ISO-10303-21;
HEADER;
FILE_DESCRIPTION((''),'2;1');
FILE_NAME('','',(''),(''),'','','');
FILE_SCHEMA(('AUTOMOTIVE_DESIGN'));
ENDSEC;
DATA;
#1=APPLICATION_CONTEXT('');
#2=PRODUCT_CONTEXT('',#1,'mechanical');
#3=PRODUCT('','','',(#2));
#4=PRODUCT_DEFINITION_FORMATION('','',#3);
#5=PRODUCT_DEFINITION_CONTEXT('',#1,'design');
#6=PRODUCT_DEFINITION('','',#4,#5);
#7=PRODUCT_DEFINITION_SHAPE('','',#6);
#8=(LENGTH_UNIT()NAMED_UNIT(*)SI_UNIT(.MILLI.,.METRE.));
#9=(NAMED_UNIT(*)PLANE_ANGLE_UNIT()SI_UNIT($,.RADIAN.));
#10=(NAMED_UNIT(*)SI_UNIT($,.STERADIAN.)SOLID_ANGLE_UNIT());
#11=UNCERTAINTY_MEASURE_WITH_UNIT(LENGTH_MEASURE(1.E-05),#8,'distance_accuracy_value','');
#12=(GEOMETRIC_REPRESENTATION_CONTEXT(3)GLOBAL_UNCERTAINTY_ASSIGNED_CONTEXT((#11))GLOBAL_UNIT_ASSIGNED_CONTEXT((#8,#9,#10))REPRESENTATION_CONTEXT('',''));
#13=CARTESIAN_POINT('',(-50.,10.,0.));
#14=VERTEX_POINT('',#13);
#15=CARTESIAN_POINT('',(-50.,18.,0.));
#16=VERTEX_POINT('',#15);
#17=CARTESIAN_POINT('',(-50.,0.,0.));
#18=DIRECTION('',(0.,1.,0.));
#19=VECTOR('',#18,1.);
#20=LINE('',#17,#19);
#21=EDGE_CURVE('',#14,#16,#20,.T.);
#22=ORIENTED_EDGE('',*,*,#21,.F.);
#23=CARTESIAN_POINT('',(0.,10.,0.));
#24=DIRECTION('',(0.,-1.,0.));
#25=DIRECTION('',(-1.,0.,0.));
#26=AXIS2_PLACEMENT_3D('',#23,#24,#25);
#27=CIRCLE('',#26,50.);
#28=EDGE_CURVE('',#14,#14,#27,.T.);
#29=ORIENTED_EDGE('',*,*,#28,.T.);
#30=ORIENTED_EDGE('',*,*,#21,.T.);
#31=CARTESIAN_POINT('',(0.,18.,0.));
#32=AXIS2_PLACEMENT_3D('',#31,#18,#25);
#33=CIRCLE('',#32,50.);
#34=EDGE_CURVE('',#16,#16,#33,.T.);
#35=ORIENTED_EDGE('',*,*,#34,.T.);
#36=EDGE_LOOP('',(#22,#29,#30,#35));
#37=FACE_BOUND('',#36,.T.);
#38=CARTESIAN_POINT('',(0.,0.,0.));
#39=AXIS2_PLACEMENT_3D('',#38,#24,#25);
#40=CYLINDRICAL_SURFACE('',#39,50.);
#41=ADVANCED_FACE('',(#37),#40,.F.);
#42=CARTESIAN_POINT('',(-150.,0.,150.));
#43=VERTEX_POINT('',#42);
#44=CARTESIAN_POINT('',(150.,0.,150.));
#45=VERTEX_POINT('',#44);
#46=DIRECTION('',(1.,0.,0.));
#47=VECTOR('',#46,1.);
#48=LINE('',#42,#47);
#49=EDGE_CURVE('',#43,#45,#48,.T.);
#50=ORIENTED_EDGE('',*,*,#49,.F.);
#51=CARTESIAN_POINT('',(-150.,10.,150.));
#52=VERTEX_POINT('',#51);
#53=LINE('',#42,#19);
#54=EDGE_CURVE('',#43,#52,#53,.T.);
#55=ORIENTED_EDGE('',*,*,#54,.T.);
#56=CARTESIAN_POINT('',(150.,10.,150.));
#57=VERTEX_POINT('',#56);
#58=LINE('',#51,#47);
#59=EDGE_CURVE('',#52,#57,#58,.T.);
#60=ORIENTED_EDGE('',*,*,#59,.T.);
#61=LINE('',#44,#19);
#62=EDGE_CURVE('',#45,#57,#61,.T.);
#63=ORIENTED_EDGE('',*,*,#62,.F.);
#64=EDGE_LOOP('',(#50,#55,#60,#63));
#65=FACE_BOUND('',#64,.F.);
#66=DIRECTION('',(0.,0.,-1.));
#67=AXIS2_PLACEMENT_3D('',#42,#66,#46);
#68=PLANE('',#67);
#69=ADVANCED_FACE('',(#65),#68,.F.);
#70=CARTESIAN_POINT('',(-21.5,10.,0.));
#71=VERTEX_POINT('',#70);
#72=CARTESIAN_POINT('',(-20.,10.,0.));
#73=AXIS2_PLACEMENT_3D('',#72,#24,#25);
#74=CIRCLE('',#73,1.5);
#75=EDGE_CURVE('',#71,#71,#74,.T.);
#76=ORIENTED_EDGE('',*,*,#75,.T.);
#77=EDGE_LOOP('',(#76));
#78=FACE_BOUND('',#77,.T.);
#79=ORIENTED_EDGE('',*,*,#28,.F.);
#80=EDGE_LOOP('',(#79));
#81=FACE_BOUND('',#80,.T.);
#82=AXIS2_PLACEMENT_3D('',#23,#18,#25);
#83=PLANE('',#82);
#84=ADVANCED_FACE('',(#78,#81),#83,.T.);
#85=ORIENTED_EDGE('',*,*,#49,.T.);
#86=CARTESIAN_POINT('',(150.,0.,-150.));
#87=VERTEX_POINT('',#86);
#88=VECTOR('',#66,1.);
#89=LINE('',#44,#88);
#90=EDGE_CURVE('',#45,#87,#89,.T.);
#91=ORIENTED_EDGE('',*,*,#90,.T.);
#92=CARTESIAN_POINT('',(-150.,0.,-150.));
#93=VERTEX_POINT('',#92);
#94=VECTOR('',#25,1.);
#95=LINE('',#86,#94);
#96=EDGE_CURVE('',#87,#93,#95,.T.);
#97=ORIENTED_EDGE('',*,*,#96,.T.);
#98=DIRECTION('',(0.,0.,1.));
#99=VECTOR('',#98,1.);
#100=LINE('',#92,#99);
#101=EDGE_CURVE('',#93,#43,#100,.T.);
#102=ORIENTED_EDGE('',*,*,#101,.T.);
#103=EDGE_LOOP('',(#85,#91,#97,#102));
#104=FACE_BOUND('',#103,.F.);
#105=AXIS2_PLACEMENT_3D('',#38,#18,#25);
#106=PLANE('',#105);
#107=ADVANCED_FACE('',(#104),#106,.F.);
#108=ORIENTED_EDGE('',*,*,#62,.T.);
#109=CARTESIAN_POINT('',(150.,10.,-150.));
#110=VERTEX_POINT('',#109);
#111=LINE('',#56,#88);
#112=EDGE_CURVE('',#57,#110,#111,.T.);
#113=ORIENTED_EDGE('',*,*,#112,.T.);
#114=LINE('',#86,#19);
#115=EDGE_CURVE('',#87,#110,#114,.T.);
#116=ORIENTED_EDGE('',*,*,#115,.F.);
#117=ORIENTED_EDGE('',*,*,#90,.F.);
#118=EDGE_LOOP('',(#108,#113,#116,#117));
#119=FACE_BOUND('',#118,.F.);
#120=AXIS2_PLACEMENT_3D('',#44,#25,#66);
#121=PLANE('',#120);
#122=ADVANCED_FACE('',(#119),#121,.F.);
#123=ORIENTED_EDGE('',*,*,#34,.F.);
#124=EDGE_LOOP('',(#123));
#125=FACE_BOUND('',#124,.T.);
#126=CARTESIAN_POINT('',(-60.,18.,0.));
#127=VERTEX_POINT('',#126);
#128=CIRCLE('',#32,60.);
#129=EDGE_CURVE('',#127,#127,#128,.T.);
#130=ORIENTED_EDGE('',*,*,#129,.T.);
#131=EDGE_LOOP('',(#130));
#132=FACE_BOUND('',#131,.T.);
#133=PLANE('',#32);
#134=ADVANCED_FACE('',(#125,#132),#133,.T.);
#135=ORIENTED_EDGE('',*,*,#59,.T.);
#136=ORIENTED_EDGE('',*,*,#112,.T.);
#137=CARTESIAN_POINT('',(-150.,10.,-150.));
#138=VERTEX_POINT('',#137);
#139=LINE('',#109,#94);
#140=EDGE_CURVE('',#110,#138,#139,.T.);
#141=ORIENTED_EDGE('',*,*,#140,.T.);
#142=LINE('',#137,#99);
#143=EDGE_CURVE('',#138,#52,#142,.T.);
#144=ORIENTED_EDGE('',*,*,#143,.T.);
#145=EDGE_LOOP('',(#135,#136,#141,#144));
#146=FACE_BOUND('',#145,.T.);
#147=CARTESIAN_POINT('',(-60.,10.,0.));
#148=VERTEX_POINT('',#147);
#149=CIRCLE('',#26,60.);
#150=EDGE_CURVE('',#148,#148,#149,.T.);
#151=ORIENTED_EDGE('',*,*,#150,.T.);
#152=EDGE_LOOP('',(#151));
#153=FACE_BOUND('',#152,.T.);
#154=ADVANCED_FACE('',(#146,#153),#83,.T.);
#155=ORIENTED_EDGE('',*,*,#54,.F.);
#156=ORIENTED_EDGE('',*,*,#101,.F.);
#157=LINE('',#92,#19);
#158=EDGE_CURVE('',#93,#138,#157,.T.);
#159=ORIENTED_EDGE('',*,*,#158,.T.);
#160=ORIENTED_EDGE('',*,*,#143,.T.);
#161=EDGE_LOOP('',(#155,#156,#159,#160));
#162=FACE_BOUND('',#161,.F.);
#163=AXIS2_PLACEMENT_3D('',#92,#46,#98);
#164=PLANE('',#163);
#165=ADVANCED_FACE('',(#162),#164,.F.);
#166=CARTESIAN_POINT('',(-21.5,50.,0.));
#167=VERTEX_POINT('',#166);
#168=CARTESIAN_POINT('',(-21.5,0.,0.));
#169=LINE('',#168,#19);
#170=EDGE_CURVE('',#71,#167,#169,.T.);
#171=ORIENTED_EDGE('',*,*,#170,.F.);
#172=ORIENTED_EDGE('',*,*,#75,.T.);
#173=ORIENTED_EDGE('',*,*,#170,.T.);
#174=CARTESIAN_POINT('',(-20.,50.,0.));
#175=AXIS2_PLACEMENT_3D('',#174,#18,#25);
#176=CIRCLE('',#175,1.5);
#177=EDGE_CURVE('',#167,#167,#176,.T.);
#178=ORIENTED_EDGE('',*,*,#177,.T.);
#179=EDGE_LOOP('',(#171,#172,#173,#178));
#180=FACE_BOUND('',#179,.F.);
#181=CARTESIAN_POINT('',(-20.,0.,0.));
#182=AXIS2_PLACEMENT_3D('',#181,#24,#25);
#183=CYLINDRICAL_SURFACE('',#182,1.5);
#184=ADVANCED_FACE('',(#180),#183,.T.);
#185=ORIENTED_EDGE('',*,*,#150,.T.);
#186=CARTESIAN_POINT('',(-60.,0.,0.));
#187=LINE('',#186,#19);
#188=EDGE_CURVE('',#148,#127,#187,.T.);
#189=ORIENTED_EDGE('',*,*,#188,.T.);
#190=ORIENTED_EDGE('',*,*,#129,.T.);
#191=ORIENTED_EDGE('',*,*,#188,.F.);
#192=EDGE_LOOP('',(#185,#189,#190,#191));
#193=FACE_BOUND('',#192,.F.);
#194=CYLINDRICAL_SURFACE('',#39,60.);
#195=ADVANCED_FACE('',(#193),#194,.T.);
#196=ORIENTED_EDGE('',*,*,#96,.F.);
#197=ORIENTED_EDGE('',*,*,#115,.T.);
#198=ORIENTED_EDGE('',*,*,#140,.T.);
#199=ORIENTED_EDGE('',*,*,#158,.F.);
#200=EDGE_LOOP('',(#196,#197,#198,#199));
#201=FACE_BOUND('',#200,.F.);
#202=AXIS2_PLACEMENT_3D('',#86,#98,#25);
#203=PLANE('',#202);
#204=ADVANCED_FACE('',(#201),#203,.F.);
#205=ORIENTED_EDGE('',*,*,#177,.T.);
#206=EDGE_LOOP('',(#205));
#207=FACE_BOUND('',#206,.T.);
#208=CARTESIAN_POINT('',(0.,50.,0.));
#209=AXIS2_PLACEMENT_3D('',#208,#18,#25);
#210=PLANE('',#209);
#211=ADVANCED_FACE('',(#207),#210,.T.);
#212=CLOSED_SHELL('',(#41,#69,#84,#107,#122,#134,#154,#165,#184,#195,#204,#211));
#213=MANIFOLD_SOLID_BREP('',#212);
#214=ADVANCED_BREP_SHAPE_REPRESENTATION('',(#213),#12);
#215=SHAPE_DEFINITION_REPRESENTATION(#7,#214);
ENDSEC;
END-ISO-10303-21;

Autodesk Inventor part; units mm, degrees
ref_plane "YZ Plane" through (0, 0, 0) normal (1, 0, 0) x (0, 1, 0)
ref_plane "XZ Plane" through (0, 0, 0) normal (0, 1, 0) x (-1, 0, 0)
ref_plane "XY Plane" through (0, 0, 0) normal (0, 0, 1) x (1, 0, 0)
sketch "Sketch1" plane through (0, 0, 0) normal (0, 1, 0) x (-1, 0, 0)
  line L0 (150, 150) -> (-150, 150)
  line L1 (-150, 150) -> (-150, -150)
  line L2 (-150, -150) -> (150, -150)
  line L3 (150, -150) -> (150, 150)
  circle A0 centre (0, 0) radius 50
  circle A1 centre (20, 0) radius 1.5
  circle A2 centre (0, 0) radius 60
  dimension "d0" = 100
  dimension "d1" = 300
  dimension "d2" = 300
  dimension "d3" = 150
  dimension "d4" = 150
  dimension "d5" = 3
  dimension "d6" = 20
  dimension "d11" = 120
extrude "Extrusion1" add sketch "Sketch1" along normal blind 10 contours L3 L2 L1 L0 | A0 | A1 | A2
extrude "Extrusion2" add sketch "Sketch1" along normal blind 50 contours A1
extrude "Extrusion3" add sketch "Sketch1" along normal blind 18 contours A2
properties part number "bottom-plate" material "Concrete"
